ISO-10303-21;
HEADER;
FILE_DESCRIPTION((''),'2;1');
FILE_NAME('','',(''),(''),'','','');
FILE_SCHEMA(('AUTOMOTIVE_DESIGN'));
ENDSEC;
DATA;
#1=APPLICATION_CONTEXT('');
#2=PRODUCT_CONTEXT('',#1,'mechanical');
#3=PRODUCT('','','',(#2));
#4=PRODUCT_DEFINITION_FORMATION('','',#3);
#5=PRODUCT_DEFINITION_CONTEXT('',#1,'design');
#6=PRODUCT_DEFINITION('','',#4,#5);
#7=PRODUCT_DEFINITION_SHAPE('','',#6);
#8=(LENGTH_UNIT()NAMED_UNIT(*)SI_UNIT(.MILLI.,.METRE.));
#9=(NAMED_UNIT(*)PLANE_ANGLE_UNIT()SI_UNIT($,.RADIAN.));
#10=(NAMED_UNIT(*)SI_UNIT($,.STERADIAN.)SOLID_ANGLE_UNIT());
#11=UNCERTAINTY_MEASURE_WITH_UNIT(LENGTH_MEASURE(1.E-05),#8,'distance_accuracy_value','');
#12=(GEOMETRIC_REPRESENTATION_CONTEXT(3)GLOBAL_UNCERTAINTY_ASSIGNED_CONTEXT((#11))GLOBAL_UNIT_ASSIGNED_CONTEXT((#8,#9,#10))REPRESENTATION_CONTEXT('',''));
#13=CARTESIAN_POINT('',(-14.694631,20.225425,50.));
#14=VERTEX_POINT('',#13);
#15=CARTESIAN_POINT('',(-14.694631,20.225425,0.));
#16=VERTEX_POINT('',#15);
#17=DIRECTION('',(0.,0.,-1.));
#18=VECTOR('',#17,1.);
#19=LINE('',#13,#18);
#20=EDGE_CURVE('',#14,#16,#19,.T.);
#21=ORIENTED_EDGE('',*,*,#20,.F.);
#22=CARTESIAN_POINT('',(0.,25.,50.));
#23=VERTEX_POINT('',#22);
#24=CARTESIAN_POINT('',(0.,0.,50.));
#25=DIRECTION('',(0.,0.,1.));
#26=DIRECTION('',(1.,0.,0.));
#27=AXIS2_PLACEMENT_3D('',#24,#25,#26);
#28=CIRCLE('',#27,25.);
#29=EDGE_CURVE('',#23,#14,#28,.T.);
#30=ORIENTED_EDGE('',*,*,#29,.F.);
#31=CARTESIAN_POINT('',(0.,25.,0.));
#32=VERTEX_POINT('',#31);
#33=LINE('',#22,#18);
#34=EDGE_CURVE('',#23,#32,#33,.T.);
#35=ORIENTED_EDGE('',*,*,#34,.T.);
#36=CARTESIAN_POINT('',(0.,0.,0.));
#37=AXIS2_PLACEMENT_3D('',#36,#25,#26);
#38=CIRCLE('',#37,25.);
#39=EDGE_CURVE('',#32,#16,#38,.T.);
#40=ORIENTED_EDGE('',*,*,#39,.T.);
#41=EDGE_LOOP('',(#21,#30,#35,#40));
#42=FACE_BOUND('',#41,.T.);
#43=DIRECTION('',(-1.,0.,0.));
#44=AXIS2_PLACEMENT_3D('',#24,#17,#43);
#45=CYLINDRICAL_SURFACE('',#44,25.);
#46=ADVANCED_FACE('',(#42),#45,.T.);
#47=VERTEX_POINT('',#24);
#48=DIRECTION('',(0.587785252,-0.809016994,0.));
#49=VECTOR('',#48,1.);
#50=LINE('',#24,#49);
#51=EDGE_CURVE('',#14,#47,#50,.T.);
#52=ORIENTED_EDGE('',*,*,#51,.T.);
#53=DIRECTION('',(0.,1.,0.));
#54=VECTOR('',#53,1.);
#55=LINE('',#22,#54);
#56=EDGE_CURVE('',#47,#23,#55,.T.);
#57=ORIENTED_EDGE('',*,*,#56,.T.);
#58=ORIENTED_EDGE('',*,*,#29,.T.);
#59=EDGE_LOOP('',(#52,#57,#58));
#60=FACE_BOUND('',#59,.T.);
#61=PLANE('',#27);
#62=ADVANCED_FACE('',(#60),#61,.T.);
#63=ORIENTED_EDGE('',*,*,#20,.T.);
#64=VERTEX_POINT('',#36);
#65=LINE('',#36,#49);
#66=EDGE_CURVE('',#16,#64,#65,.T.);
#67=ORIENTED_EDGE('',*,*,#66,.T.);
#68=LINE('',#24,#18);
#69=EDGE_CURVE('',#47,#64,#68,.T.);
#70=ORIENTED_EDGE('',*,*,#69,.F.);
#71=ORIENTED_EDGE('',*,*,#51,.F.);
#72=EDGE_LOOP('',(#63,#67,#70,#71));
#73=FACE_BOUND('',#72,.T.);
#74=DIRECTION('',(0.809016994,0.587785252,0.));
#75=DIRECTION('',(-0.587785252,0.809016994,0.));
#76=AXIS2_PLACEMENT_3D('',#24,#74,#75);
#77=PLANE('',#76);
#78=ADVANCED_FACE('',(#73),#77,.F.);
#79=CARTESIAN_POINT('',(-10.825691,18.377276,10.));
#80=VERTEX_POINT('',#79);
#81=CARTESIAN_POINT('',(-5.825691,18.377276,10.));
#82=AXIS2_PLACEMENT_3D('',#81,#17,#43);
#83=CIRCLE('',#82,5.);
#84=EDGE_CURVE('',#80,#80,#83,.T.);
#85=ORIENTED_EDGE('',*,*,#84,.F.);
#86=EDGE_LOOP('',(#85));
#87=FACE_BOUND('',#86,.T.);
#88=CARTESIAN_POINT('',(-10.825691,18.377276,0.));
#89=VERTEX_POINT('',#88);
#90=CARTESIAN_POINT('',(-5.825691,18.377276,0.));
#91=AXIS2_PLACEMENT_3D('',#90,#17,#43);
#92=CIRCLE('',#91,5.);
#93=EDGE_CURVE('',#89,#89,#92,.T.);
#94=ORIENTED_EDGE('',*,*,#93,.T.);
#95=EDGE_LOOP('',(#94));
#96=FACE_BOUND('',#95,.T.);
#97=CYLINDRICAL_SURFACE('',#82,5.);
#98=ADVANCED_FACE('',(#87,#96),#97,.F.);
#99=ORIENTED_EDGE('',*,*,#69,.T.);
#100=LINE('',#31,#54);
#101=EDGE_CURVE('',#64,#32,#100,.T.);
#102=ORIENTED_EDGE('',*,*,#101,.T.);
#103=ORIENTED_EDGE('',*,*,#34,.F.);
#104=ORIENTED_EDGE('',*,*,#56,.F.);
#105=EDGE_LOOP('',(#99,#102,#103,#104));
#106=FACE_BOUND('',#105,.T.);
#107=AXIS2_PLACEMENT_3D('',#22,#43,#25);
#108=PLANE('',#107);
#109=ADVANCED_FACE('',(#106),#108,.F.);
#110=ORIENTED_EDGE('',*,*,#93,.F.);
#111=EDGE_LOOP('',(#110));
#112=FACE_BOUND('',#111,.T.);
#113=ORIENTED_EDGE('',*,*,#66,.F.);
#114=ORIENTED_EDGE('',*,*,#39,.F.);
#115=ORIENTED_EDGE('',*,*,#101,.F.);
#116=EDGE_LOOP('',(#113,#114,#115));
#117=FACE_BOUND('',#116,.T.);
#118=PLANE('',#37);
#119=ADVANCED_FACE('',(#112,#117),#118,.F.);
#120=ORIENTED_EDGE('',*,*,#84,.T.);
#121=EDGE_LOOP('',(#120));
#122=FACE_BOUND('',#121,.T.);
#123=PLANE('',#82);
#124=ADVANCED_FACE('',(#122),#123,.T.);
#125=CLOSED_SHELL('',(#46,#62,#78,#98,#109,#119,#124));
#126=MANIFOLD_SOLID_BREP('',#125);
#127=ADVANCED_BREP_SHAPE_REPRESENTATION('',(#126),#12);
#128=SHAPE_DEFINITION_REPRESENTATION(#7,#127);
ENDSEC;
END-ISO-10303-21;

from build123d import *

# Parameters (mm, degrees)
SALIENTE_EXTRUIR1_DEPTH = 50
CROQUIS2_R              = 5
CORTAR_EXTRUIR1_DEPTH   = 10


with BuildPart() as part:
    # Croquis1 → Saliente-Extruir1 (new body)
    with BuildSketch(Plane.XY):
        with BuildLine():
            Line((0, 25), (0, 0))
            Line((0, 0), (-14.694631307, 20.225424859))
            ThreePointArc((-14.694631307, 20.225424859), (-7.725424859, 23.776412907), (0, 25))
        make_face()
    extrude(amount=SALIENTE_EXTRUIR1_DEPTH)

    # Croquis2 → Cortar-Extruir1 (cut)
    with BuildSketch(Plane(origin=(0, 0, 0), x_dir=(-1, 0, 0), z_dir=(0, 0, -1))):
        with Locations((5.825690748, 18.377276196)):
            Circle(CROQUIS2_R)
    extrude(amount=-CORTAR_EXTRUIR1_DEPTH, mode=Mode.SUBTRACT)


solid = part.part
